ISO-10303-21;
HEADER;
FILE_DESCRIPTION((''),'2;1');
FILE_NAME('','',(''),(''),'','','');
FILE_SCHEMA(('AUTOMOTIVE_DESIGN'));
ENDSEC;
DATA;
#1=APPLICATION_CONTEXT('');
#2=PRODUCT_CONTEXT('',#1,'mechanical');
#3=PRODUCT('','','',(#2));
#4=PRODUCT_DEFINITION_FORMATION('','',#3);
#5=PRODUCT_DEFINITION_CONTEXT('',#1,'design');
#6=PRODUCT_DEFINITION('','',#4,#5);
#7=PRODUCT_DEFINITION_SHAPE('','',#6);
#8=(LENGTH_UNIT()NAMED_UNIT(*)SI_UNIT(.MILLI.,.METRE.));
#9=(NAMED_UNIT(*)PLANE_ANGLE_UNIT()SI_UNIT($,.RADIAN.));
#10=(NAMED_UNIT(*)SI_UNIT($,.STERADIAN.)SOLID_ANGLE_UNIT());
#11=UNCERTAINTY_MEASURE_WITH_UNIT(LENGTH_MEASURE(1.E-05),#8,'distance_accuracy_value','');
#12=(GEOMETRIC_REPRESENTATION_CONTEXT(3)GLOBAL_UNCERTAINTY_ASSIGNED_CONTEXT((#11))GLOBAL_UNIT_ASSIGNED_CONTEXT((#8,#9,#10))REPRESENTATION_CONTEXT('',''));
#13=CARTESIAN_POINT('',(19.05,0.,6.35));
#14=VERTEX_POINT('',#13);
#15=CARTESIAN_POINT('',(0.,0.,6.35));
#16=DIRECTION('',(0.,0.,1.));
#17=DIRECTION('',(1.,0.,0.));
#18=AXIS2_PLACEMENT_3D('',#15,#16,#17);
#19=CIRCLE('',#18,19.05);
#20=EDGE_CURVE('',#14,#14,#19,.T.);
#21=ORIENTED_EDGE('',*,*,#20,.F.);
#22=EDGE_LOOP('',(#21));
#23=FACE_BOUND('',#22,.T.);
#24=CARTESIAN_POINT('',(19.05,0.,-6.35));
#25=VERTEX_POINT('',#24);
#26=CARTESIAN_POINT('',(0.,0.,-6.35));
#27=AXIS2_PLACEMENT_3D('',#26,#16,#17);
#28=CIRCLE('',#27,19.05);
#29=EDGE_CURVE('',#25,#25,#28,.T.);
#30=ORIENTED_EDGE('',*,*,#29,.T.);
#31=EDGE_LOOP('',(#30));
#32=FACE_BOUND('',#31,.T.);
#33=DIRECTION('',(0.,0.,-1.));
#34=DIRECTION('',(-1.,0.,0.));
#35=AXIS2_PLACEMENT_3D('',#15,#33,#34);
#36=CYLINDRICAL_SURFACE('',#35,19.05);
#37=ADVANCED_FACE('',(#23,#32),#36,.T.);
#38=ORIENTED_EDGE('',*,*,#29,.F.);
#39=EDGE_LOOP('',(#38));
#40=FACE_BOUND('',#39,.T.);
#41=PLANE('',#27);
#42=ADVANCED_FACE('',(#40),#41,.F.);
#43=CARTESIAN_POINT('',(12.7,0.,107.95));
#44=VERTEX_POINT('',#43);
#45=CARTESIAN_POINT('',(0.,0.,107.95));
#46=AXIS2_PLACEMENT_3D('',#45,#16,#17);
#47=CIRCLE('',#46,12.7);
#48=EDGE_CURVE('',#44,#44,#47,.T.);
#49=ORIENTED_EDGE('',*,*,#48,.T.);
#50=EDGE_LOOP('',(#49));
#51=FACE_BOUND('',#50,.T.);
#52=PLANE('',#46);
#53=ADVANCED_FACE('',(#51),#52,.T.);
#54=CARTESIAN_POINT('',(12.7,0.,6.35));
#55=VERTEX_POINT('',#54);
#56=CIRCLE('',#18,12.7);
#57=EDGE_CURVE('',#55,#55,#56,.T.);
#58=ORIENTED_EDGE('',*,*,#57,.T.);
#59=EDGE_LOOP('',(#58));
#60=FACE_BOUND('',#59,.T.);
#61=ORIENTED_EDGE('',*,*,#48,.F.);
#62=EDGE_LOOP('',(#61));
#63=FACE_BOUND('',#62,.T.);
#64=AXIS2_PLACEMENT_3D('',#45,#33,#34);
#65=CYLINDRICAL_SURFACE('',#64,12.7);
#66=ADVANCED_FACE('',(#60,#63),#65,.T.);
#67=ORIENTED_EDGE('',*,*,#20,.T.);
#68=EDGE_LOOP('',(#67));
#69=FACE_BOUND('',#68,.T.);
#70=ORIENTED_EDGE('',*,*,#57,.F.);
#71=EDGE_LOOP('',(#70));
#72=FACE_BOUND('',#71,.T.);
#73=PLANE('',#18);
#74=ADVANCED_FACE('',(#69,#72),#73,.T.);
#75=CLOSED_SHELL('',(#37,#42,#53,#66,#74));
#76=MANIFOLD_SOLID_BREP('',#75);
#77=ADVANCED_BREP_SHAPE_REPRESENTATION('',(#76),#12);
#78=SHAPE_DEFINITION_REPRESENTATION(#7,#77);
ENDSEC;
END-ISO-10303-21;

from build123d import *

# Parameters (mm, degrees)
SKETCH2_R           = 19.05
BOSS_EXTRUDE1_DEPTH = 6.35
SKETCH3_R           = 12.7
BOSS_EXTRUDE2_DEPTH = 101.6


with BuildPart() as part:
    # Sketch2 → Boss-Extrude1 (new body, symmetric)
    with BuildSketch(Plane.XY):
        Circle(SKETCH2_R)
    extrude(amount=BOSS_EXTRUDE1_DEPTH, both=True)

    # Sketch3 → Boss-Extrude2 (add)
    with BuildSketch(Plane.XY.offset(6.35)):
        Circle(SKETCH3_R)
    extrude(amount=BOSS_EXTRUDE2_DEPTH)


solid = part.part
